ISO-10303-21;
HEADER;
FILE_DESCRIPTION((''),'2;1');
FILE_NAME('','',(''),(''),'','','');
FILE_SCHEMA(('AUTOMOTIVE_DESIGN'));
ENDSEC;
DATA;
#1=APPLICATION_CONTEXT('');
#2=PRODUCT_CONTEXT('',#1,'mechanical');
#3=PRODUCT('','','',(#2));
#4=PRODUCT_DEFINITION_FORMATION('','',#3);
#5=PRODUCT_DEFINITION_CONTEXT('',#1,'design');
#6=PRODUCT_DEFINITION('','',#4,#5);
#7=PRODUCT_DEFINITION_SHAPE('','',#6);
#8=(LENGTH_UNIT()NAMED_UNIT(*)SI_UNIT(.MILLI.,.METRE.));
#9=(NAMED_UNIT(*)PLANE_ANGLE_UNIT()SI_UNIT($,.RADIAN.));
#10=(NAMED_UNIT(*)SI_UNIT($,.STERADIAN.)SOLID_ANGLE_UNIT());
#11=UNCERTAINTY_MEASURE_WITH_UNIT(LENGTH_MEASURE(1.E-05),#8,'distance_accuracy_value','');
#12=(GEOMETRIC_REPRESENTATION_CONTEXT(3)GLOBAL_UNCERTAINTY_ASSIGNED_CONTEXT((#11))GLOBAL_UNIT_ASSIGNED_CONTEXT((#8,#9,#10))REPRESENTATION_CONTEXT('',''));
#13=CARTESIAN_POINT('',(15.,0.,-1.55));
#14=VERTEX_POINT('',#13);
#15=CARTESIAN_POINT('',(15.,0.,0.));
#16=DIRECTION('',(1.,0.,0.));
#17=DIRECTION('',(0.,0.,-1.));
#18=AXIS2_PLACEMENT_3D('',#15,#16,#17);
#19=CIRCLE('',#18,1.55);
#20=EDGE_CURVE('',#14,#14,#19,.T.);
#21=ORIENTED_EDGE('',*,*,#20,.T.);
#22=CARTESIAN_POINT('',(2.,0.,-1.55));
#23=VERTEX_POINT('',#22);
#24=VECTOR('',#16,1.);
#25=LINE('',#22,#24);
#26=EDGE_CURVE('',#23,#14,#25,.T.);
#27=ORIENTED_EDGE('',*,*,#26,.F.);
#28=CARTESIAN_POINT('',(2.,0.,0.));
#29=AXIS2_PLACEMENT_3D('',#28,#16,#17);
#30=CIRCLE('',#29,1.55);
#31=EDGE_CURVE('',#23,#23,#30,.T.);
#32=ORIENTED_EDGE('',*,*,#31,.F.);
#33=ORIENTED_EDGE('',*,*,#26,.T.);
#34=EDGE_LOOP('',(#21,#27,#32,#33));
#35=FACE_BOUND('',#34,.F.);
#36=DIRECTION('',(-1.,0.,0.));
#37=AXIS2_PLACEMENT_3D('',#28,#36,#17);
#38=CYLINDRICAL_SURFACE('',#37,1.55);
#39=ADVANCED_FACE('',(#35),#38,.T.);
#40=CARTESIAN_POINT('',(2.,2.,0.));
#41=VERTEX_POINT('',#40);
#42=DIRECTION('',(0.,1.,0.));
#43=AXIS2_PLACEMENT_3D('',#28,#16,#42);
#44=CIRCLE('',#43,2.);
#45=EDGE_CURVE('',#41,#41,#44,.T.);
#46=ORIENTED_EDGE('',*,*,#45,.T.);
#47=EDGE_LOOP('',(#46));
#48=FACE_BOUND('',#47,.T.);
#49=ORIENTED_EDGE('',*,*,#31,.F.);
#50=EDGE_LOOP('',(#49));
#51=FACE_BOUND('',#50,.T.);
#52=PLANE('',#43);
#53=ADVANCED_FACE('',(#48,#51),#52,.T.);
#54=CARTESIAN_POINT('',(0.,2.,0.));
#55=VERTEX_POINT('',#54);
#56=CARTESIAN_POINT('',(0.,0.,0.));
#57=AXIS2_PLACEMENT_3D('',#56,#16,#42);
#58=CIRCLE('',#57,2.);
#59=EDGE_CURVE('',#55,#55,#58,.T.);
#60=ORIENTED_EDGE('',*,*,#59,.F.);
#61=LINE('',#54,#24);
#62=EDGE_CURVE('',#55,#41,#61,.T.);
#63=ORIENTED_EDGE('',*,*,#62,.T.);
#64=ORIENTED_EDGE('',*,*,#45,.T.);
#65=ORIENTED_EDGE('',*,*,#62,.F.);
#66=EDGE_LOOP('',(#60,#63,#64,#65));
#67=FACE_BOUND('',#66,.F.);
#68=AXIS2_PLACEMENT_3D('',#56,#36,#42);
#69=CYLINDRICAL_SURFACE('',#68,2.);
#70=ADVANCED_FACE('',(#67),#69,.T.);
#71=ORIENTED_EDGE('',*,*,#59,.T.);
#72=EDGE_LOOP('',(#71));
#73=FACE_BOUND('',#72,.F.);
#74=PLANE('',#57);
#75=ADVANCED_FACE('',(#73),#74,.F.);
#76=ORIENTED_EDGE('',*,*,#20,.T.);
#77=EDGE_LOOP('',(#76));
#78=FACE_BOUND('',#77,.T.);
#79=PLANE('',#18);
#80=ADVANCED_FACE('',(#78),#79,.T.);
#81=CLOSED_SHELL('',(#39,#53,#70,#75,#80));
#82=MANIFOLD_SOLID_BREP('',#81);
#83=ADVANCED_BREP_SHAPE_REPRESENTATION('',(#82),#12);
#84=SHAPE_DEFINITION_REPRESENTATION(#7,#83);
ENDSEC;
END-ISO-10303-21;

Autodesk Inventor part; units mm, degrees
ref_plane "YZ Plane" through (0, 0, 0) normal (1, 0, 0) x (0, 1, 0)
ref_plane "XZ Plane" through (0, 0, 0) normal (0, 1, 0) x (-1, 0, 0)
ref_plane "XY Plane" through (0, 0, 0) normal (0, 0, 1) x (1, 0, 0)
sketch "Sketch1" plane through (0, 0, 0) normal (1, 0, 0) x (0, 1, 0)
  circle A0 centre (0, 0) radius 2
  dimension "d0" = 4
extrude "Extrusion1" add sketch "Sketch1" along normal blind 2
sketch "Sketch2" plane through (2, 0, 0) normal (1, 0, 0) x (0, 0, -1)
  circle A0 centre (0, 0) radius 1.55
  dimension "d3" = 3.1
extrude "Extrusion2" add sketch "Sketch2" along normal blind 13
properties part number "Ø3,5Split"
